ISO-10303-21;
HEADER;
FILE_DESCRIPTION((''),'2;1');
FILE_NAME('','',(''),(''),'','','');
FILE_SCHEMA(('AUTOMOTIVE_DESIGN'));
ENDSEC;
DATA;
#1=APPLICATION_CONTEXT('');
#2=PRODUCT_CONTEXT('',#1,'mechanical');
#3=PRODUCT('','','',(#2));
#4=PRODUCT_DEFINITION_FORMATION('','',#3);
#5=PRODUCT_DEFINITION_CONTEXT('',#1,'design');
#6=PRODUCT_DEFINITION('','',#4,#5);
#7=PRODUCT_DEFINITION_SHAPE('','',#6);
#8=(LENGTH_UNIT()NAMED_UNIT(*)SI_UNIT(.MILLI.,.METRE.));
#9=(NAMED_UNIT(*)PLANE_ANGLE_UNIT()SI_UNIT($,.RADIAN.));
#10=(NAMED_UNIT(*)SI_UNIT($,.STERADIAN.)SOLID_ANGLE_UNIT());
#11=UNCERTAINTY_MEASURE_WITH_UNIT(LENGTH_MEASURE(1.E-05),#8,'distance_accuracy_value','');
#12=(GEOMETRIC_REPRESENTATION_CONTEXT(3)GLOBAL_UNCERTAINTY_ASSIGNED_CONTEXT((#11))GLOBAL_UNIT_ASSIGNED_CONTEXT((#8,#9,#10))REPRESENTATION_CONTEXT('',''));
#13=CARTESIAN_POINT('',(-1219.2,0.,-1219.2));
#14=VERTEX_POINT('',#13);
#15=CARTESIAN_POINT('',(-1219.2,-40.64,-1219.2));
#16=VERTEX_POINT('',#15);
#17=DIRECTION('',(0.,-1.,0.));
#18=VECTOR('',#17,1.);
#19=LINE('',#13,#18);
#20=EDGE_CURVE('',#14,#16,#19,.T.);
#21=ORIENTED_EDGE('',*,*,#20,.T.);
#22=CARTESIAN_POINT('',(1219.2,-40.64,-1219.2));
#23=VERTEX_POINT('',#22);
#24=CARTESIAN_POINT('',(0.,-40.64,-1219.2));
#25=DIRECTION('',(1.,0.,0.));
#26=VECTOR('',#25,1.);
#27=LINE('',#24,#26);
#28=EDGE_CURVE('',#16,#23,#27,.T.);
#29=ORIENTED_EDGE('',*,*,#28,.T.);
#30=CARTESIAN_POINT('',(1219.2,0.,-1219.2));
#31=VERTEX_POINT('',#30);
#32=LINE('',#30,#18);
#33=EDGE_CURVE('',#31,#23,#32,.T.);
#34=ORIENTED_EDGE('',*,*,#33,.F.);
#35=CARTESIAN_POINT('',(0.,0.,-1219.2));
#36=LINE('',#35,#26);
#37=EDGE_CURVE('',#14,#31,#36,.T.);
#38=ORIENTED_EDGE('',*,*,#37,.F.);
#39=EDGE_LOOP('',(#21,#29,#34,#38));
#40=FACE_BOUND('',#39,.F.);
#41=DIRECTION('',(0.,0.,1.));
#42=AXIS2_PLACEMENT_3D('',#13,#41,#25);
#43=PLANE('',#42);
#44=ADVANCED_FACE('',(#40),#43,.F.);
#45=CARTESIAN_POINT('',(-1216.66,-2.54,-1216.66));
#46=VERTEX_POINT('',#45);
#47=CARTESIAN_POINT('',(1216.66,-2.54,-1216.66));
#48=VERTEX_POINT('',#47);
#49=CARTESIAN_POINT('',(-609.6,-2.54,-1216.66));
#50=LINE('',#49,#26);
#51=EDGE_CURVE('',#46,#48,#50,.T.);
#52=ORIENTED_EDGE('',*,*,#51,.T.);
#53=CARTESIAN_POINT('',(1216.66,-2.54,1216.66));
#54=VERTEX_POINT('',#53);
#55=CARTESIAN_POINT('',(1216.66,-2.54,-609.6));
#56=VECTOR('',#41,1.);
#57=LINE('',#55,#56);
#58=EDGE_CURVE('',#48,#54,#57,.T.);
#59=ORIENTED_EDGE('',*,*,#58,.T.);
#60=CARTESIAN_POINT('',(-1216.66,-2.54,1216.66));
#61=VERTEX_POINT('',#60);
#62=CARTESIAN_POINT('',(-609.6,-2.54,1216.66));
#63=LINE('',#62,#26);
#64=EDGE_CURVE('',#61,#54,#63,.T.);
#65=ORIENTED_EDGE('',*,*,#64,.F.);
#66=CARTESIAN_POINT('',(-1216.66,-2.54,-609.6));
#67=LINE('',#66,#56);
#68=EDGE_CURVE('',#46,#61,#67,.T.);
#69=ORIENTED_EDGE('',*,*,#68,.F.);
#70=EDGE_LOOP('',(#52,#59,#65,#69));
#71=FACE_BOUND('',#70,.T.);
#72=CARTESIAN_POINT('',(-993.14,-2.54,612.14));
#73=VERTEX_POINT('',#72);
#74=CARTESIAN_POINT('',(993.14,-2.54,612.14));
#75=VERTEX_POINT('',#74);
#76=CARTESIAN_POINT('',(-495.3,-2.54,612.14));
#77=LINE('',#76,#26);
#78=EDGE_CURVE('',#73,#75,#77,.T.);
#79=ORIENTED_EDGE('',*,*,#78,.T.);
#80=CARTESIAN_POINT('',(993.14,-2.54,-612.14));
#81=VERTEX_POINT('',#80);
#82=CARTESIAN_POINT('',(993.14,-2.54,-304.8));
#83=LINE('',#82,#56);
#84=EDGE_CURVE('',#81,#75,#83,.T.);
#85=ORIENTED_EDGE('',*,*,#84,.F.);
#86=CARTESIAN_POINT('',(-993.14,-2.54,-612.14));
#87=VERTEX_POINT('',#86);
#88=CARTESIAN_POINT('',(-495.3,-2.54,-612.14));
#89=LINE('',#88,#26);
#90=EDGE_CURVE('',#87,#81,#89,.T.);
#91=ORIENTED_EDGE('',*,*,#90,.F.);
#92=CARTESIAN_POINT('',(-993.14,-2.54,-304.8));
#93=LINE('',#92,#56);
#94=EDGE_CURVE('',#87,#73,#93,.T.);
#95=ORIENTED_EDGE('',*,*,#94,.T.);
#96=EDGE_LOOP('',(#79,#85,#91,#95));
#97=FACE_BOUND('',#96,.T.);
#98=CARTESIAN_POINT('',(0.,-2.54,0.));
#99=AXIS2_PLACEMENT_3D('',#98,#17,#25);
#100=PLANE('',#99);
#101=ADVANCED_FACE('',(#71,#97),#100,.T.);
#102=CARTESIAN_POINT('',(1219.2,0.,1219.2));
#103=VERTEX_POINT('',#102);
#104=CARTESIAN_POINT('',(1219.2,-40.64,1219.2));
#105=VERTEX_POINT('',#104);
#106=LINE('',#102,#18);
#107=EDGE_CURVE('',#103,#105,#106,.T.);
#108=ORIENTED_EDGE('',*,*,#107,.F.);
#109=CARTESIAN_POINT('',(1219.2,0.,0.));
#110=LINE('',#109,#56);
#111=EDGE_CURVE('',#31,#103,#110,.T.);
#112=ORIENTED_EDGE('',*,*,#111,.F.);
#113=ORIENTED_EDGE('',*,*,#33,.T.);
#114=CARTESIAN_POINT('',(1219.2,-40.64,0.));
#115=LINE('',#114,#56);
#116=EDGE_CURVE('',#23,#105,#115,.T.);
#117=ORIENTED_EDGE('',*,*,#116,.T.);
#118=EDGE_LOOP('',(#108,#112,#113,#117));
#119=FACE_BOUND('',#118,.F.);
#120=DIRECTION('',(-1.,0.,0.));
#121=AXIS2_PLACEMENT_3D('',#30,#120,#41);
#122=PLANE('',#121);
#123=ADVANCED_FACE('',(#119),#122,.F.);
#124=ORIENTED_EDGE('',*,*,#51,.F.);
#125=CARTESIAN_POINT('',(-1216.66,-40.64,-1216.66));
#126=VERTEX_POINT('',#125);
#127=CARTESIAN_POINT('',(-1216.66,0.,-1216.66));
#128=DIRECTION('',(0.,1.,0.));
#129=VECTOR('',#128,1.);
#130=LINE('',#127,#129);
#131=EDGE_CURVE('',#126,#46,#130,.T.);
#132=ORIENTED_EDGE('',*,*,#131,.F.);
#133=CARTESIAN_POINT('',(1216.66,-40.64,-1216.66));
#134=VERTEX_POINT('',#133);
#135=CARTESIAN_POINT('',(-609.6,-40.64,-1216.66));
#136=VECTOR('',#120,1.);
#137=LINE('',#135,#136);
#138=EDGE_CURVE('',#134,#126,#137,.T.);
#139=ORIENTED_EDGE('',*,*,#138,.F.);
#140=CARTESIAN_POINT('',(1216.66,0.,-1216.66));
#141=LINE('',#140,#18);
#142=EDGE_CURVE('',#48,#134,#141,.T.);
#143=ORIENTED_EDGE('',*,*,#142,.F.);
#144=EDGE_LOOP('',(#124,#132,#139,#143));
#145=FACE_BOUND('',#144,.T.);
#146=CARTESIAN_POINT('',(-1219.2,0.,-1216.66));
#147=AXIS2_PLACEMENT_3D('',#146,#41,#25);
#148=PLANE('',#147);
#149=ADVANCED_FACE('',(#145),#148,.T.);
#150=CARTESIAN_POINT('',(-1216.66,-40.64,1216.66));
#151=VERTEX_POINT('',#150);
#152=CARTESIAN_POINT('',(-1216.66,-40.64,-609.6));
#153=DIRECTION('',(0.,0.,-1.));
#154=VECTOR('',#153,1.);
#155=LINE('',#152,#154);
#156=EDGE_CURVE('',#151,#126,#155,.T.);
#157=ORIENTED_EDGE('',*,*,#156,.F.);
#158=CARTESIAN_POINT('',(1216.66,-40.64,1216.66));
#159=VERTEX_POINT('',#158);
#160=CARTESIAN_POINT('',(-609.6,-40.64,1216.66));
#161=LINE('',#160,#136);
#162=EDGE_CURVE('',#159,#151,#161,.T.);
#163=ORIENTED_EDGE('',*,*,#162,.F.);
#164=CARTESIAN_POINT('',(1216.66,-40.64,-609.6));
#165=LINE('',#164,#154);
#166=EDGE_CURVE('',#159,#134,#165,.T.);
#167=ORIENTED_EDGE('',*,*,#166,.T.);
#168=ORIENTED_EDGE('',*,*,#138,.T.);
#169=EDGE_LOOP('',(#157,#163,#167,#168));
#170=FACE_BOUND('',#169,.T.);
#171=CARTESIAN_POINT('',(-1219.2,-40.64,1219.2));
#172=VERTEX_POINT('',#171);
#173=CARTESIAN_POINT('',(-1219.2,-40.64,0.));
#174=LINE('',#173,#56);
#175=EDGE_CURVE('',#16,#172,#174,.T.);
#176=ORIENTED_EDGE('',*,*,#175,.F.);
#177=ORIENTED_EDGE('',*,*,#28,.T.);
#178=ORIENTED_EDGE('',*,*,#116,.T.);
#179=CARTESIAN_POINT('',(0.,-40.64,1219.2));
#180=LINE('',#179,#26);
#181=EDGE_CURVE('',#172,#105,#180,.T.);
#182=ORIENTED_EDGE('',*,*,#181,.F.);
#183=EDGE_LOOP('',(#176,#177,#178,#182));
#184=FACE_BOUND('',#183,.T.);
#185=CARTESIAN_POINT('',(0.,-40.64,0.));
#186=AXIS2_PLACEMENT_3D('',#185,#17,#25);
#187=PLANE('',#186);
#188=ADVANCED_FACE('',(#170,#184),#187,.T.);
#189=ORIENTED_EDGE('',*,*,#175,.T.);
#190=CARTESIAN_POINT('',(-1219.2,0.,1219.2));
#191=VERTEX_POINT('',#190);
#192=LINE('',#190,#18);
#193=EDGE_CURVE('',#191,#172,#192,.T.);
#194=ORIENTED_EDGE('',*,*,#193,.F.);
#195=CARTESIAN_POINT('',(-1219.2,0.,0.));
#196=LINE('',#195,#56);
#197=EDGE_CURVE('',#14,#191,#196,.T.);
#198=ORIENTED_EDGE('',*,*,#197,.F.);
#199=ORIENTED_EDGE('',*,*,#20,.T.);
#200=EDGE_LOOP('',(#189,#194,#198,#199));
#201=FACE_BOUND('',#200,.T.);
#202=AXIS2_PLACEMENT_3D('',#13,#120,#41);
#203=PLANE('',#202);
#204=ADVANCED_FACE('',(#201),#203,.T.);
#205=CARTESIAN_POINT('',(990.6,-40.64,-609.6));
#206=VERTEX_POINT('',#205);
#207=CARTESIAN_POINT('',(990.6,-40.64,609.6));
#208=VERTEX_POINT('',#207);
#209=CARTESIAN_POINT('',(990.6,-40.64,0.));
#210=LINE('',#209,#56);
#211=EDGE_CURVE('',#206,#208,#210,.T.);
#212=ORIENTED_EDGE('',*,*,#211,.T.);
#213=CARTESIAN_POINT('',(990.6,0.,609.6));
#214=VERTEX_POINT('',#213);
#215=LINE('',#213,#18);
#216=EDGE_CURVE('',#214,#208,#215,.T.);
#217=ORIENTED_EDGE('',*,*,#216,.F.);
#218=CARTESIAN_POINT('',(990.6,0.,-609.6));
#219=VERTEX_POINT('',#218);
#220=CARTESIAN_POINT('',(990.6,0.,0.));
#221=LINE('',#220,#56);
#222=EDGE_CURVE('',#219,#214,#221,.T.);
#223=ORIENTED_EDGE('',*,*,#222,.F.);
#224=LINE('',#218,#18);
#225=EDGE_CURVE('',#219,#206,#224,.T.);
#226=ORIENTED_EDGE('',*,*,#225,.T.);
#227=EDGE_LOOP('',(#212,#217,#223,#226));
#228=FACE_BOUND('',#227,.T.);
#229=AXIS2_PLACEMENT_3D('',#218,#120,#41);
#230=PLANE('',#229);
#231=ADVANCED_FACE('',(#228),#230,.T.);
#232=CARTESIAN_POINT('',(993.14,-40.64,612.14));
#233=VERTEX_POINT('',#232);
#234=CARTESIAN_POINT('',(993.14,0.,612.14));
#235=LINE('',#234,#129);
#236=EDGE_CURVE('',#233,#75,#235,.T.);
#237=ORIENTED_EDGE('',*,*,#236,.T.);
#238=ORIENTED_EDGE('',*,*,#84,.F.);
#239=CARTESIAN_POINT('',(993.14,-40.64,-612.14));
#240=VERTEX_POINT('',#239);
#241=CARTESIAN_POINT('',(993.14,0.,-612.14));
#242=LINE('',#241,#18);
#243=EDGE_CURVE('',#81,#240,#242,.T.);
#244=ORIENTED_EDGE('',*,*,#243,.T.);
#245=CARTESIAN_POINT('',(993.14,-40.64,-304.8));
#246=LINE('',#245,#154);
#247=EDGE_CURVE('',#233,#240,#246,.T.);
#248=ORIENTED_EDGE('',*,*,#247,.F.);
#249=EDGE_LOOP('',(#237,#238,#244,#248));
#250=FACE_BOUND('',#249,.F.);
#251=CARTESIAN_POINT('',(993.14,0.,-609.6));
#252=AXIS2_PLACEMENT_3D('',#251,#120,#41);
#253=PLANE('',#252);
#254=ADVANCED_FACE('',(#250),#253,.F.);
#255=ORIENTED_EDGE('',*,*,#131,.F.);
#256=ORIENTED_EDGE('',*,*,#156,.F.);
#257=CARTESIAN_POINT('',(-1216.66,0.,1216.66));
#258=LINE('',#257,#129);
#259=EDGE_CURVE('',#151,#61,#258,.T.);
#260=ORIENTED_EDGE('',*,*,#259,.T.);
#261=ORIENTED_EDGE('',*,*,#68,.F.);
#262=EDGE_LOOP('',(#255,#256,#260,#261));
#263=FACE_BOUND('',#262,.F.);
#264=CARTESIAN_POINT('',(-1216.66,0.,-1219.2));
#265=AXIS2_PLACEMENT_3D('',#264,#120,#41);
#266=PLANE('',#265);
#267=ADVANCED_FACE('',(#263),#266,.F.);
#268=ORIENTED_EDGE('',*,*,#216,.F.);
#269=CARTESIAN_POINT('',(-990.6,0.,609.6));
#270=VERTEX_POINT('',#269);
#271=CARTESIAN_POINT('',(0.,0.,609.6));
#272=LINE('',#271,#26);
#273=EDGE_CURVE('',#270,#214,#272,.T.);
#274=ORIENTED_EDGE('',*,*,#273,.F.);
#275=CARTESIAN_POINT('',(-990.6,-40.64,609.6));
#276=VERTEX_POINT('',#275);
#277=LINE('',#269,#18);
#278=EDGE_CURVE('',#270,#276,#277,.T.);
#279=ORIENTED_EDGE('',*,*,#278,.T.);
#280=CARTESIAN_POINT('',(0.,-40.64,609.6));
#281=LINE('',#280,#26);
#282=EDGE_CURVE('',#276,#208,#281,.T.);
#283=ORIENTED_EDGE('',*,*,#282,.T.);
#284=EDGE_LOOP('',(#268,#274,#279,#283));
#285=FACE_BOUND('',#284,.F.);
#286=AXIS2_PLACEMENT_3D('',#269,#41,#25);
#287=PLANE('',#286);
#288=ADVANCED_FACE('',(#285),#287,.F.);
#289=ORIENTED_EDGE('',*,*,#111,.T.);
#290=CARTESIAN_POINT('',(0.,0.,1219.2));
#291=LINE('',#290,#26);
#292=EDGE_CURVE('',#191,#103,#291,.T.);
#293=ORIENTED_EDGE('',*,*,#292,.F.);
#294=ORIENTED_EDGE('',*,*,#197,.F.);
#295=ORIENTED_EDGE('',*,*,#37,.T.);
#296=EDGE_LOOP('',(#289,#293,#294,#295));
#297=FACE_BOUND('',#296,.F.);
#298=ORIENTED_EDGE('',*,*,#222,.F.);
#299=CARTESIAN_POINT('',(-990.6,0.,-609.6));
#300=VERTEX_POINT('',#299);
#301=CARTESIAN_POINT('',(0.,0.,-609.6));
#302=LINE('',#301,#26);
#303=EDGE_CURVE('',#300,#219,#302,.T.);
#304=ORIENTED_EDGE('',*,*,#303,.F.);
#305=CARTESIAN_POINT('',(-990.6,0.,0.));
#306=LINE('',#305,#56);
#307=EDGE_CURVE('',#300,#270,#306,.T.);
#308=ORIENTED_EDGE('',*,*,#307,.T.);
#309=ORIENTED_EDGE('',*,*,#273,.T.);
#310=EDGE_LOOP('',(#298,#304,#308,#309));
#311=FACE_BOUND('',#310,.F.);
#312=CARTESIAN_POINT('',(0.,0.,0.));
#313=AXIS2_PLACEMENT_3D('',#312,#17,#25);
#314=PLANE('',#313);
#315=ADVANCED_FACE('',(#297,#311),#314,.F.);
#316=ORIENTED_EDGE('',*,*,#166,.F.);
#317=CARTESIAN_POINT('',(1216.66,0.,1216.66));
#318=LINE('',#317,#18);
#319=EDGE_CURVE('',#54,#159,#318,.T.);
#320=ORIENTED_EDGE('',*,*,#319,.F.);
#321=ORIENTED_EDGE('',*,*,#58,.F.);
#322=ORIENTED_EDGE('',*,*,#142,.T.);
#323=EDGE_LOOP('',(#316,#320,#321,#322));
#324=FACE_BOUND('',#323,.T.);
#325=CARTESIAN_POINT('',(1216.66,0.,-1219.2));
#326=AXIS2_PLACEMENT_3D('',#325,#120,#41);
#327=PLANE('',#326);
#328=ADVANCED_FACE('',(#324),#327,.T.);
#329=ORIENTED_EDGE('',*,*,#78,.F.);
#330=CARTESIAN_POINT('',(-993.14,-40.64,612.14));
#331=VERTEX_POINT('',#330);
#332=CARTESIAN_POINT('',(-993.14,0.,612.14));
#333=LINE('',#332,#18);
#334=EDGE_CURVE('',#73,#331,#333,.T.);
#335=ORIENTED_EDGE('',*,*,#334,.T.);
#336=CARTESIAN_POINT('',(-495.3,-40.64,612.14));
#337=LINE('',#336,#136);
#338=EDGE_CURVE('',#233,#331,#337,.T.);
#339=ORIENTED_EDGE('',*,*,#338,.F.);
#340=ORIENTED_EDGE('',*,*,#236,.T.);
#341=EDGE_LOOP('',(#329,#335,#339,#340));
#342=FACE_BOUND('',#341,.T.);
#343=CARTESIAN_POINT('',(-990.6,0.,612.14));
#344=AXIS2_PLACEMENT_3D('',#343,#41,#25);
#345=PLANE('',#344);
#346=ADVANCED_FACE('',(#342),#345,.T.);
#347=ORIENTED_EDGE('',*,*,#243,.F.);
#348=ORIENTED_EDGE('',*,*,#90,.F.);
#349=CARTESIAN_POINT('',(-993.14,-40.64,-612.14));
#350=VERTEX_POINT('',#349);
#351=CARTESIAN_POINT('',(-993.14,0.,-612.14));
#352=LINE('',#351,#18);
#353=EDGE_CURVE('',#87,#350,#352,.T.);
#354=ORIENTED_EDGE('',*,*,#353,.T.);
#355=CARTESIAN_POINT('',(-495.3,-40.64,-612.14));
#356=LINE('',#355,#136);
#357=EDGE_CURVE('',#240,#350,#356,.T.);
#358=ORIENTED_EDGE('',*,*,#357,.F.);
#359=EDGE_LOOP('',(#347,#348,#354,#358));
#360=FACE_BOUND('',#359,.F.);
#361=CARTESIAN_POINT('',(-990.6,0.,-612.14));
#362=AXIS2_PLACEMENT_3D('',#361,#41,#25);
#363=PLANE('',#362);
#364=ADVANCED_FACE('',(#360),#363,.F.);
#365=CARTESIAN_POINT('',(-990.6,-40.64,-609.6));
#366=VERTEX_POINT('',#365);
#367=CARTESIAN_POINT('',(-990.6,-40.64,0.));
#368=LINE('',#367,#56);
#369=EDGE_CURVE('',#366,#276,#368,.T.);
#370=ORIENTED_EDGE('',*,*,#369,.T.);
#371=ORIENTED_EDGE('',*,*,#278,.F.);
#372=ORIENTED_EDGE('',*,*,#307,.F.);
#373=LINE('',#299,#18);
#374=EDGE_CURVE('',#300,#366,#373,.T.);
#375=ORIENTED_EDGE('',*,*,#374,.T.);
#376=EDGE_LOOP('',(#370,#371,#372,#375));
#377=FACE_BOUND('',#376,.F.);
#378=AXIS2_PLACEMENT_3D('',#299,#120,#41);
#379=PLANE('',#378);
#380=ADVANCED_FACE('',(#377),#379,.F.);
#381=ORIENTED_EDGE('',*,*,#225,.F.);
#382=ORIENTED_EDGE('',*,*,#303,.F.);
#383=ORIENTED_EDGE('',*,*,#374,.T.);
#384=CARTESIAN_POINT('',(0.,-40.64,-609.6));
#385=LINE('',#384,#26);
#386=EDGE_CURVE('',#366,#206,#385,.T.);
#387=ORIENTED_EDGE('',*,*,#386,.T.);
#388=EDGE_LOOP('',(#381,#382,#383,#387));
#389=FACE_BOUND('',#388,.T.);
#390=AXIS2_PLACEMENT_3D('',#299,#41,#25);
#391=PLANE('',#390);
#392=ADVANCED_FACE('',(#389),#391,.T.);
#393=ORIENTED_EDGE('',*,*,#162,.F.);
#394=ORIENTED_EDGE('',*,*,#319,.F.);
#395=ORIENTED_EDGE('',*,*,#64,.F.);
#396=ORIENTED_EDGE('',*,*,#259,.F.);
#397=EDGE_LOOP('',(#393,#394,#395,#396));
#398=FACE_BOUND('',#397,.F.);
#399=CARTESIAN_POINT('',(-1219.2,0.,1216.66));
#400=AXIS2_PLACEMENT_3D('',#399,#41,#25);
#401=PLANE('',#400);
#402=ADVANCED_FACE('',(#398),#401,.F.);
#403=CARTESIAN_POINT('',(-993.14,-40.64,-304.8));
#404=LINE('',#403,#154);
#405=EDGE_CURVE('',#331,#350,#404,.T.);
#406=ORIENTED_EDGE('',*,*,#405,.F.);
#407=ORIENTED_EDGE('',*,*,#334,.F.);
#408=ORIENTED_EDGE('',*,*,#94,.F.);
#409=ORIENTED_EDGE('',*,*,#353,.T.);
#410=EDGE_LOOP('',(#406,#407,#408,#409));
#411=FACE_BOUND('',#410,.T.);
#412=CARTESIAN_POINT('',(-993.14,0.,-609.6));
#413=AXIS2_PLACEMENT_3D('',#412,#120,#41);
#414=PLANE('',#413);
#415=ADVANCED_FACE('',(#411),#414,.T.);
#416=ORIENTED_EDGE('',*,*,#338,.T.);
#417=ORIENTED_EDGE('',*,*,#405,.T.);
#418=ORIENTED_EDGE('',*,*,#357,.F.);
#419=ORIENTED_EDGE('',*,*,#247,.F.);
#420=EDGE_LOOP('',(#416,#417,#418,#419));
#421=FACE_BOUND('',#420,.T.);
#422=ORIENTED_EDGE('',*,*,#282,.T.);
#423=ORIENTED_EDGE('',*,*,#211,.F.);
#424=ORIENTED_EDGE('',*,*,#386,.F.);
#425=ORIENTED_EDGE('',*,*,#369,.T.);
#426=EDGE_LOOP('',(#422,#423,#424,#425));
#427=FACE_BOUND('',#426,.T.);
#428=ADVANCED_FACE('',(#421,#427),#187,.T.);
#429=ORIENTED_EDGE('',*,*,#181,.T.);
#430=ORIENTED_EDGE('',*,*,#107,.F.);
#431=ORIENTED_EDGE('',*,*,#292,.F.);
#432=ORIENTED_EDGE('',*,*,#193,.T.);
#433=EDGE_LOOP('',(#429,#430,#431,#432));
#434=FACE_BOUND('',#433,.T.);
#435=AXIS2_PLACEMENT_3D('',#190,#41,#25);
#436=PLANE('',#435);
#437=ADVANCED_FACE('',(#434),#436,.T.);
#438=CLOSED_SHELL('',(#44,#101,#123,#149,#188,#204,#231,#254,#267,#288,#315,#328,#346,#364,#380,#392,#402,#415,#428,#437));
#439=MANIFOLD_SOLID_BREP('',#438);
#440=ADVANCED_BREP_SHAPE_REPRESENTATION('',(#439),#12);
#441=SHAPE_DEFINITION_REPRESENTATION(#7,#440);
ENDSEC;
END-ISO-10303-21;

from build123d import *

# Parameters (mm, degrees)
F0_W     = 2438.4
F0_H     = 2438.4
F0_W_2   = 1981.2
F0_H_2   = 1219.2
F1_DEPTH = 40.64
F2_T     = -2.54


with BuildPart() as f1:
    # F0 (on Front) → F1 (new body)
    with BuildSketch(Plane.XZ):
        Rectangle(F0_W, F0_H)
        Rectangle(F0_W_2, F0_H_2, mode=Mode.SUBTRACT)
    extrude(amount=F1_DEPTH)

    # F2
    f2_openings = [f1.faces().sort_by_distance(p)[0] for p in [
        (0, -40.64, 1184.715816),
    ]]
    offset(amount=F2_T, openings=f2_openings, kind=Kind.INTERSECTION)


solid = f1.part
